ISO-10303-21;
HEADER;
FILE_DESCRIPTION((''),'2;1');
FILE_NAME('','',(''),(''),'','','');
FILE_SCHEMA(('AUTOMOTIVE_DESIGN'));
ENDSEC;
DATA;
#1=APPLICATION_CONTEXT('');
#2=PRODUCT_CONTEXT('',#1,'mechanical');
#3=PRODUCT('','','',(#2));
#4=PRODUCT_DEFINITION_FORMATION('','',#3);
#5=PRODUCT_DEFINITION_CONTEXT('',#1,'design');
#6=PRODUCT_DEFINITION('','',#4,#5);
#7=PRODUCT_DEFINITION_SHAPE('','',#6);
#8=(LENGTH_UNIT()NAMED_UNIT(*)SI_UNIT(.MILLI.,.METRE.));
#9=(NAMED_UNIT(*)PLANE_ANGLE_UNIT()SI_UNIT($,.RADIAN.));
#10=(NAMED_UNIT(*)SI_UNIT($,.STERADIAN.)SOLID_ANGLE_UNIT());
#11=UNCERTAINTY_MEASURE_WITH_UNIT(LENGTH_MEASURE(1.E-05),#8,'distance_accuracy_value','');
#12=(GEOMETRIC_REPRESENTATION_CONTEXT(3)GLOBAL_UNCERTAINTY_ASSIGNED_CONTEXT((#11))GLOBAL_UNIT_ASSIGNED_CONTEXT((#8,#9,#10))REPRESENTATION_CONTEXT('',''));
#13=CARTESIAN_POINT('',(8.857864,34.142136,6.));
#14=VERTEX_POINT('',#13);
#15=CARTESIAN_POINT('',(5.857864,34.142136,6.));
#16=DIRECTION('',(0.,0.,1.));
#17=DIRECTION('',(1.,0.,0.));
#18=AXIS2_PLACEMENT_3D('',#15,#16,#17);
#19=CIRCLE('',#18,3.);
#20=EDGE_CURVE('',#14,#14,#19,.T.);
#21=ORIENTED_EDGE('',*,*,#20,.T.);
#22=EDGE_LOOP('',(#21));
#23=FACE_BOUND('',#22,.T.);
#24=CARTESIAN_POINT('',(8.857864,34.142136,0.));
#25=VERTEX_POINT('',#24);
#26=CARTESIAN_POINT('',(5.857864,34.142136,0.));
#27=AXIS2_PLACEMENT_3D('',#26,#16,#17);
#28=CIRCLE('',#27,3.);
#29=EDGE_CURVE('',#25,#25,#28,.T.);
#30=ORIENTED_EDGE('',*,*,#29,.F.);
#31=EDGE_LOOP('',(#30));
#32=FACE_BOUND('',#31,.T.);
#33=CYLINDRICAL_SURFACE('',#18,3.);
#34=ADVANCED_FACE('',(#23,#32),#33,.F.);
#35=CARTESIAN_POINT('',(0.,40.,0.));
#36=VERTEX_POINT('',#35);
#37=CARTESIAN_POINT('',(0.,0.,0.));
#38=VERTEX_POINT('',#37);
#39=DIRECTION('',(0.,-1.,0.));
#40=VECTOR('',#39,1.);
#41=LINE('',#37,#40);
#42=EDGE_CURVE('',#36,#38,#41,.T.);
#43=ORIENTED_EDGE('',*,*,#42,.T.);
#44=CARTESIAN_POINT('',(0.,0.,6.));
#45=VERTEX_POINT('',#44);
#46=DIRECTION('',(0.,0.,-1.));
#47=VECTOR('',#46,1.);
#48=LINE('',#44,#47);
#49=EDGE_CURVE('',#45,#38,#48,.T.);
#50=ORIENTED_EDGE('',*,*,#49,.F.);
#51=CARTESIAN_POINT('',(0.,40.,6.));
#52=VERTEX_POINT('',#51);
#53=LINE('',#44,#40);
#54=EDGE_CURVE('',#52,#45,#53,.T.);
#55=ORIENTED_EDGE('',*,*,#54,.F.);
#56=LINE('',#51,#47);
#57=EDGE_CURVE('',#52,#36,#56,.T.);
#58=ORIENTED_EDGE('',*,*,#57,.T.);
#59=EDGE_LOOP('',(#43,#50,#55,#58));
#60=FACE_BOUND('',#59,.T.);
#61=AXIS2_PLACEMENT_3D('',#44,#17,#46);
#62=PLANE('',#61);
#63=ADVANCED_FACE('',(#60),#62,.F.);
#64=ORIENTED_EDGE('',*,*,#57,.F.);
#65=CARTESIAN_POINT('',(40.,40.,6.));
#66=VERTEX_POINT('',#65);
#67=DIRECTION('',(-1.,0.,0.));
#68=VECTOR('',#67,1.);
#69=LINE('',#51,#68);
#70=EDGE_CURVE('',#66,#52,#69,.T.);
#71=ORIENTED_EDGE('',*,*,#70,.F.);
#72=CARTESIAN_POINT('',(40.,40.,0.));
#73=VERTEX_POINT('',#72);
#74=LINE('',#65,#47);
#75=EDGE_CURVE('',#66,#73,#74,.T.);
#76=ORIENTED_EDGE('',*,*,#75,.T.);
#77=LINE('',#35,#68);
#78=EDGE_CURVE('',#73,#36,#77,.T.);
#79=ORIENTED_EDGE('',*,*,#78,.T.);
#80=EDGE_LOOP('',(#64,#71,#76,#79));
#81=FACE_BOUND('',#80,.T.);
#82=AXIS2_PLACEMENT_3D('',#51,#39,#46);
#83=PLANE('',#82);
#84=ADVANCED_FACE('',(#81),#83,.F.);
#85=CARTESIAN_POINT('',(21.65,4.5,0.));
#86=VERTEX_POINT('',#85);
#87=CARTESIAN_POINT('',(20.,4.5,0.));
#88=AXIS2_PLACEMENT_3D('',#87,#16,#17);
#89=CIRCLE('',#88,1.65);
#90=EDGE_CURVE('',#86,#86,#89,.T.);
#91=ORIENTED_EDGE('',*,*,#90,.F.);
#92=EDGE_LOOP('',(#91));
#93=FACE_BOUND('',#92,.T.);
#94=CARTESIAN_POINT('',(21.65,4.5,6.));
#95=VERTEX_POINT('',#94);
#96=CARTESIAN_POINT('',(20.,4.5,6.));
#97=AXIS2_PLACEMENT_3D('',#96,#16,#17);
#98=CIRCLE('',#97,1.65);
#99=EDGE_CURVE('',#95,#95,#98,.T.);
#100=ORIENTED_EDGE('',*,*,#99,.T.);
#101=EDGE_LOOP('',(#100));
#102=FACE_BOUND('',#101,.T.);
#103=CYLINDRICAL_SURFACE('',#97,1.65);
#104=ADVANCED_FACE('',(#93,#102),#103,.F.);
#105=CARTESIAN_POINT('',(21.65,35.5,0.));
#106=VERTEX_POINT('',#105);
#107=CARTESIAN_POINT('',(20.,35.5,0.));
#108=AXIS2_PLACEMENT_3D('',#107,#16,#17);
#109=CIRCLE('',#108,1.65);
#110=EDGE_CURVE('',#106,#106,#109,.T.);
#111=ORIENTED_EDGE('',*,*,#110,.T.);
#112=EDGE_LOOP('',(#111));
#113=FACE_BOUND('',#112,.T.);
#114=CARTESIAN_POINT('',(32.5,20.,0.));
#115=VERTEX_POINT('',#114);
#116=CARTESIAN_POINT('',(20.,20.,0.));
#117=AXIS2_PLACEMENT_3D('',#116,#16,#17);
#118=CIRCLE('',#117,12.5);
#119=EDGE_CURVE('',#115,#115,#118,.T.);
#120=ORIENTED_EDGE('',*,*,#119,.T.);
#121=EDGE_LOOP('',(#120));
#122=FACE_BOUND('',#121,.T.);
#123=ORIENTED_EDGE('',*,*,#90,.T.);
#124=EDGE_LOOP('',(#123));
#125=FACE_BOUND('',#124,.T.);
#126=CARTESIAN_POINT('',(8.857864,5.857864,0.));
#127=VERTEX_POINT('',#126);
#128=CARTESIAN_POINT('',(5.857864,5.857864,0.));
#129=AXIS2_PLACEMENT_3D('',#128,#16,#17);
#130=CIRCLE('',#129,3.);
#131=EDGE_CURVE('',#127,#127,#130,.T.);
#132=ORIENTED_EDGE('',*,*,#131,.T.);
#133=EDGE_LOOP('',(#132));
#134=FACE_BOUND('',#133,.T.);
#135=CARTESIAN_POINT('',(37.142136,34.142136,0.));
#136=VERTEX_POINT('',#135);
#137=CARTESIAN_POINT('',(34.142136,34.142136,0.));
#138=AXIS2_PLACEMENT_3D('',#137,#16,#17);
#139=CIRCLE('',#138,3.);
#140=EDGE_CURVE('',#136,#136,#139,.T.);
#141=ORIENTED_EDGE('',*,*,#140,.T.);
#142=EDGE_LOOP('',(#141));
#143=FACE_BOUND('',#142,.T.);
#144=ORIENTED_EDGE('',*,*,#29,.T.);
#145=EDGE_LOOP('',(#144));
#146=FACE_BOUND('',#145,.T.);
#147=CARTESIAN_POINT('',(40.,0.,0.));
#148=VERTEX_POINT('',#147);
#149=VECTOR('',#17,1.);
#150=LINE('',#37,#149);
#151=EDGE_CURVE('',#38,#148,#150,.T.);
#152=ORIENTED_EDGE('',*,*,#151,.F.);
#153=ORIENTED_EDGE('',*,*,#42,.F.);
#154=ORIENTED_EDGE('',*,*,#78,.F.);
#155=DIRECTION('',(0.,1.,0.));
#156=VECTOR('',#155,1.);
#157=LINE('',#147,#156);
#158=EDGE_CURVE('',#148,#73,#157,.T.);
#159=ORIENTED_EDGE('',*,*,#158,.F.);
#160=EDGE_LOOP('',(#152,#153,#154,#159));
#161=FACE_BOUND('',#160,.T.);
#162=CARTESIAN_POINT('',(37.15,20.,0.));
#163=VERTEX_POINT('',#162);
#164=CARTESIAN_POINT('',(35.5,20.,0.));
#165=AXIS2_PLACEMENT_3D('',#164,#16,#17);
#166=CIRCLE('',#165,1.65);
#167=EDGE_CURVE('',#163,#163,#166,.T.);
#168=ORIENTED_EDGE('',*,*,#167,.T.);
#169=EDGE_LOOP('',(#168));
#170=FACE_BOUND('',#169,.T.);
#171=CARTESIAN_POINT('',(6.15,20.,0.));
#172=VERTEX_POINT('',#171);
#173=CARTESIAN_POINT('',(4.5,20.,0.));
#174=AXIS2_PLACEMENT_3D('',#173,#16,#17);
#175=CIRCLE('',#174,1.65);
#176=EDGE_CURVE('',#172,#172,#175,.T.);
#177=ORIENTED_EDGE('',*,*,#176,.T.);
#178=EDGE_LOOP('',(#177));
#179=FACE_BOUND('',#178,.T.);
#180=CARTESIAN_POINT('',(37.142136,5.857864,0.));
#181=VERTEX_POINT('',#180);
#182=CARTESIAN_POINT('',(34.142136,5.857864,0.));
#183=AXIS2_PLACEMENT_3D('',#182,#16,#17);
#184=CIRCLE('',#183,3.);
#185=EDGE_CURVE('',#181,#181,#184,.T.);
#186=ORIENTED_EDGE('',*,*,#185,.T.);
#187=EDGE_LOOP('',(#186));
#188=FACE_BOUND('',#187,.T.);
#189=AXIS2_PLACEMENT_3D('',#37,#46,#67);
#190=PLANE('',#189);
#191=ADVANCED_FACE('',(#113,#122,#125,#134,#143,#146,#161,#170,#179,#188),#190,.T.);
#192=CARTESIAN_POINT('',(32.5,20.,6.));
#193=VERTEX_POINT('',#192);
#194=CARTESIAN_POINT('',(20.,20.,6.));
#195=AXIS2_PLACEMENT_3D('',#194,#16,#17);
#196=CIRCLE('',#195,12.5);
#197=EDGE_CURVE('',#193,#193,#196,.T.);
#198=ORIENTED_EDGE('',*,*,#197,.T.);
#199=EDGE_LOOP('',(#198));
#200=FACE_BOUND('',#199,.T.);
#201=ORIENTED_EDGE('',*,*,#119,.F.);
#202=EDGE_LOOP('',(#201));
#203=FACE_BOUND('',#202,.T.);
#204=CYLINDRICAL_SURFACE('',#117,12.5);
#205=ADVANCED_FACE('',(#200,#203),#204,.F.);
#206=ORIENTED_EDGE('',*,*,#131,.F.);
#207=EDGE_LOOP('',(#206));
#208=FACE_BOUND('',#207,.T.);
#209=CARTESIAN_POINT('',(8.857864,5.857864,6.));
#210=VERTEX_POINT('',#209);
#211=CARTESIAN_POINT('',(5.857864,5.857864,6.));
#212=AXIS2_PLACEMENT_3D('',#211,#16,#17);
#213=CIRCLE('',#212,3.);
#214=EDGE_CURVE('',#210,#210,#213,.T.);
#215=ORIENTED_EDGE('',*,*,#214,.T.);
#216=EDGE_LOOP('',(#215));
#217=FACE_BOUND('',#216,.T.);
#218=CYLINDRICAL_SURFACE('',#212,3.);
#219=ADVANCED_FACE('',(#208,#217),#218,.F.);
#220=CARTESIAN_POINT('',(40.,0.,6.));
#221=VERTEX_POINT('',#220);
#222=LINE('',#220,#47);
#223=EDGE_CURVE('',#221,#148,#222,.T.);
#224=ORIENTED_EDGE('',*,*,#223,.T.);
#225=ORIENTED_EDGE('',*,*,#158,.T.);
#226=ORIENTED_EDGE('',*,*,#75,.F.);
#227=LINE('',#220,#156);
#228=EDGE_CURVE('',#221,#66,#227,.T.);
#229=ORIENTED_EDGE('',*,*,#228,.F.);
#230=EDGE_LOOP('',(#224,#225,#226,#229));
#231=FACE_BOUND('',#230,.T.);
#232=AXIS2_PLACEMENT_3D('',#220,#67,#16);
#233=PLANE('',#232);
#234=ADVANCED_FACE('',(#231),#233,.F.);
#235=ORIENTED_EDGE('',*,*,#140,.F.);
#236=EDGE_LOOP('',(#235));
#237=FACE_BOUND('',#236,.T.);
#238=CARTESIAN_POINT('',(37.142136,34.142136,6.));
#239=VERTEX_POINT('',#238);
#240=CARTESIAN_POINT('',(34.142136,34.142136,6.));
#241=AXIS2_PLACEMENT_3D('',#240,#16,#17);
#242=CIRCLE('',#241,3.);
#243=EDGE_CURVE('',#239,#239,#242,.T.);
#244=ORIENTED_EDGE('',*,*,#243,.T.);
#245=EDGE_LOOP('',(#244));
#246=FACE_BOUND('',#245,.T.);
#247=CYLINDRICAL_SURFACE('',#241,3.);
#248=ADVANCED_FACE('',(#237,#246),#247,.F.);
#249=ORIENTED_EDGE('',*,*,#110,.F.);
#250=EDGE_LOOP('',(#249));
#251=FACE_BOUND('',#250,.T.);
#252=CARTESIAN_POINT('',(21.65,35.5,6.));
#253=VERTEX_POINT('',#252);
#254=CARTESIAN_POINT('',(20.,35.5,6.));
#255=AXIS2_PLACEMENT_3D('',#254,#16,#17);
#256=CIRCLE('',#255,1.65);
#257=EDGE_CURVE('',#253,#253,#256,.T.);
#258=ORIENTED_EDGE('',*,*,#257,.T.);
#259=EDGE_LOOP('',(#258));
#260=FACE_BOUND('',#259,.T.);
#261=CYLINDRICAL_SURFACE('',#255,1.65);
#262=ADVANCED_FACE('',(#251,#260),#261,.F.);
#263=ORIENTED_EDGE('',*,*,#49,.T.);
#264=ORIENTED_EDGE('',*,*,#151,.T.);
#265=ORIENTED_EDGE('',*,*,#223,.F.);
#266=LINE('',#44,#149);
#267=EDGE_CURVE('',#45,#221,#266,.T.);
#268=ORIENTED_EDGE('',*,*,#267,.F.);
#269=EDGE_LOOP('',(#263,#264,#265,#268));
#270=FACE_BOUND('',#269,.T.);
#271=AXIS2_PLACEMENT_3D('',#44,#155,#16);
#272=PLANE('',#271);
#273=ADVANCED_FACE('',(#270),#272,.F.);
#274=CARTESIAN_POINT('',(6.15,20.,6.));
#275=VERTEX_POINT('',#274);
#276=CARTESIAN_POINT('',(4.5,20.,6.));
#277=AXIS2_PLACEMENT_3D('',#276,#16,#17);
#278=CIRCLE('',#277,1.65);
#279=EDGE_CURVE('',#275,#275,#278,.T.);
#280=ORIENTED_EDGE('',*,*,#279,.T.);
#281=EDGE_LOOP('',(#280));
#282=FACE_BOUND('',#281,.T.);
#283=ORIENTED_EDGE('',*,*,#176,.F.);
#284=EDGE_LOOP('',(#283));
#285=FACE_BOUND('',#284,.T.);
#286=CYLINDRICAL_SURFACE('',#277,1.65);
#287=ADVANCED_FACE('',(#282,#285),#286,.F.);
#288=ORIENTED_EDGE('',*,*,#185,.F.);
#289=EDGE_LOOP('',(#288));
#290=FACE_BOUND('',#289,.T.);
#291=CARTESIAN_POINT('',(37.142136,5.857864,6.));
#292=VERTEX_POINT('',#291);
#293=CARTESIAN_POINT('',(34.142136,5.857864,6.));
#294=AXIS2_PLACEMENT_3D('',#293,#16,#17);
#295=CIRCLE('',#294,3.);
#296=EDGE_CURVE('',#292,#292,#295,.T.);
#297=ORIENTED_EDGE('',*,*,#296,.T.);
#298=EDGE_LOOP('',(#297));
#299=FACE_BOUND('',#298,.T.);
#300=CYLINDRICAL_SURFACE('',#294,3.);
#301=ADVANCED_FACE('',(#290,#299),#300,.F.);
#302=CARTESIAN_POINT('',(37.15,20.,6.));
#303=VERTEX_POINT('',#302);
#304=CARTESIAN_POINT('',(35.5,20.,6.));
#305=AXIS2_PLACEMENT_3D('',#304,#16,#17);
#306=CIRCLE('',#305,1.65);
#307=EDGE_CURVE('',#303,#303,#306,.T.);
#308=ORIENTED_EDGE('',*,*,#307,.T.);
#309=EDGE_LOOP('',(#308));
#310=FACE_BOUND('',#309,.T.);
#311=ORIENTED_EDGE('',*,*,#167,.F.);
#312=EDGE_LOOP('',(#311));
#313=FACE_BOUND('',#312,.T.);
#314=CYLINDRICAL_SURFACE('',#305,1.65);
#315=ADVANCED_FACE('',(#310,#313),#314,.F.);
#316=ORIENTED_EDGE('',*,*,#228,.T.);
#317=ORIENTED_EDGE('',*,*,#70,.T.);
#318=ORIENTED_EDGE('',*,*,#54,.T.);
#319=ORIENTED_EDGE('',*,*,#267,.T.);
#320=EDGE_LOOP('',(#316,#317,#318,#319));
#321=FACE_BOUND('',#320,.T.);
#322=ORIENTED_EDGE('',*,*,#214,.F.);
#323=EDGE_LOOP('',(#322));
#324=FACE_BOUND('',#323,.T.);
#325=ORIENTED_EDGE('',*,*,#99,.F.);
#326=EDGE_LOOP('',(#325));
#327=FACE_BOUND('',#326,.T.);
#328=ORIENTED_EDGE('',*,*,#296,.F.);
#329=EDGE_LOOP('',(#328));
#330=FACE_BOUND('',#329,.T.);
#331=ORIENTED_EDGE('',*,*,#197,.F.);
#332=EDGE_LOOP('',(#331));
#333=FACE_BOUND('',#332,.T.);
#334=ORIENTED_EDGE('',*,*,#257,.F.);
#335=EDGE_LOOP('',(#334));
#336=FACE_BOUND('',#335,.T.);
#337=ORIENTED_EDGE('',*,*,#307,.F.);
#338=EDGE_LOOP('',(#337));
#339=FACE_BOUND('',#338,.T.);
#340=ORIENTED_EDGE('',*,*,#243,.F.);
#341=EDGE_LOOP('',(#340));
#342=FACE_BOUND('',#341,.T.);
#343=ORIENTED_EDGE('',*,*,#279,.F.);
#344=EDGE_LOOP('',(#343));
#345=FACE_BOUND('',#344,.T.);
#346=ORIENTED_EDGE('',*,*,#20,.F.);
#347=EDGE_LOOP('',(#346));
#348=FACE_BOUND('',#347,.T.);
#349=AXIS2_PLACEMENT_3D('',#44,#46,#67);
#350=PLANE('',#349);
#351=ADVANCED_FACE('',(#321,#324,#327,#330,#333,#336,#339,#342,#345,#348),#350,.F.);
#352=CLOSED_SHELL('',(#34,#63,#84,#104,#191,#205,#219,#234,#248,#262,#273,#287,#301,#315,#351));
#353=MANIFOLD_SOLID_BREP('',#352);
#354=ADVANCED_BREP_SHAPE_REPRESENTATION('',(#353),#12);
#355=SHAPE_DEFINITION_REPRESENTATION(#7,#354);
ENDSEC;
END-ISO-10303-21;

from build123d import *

# Parameters (mm, degrees)
SKETCH1_W               = 40
SKETCH1_H               = 40
BOSS_EXTRUDE1_DEPTH     = 6
F_6_0MM_DOWEL_HOLE1_D   = 6
SKETCH5_R               = 12.5
CUT_EXTRUDE1_DEPTH      = 57.885850613
TAP_DRILL_FOR_M4_TAP1_D = 3.3


with BuildPart() as part:
    # Sketch1 → Boss-Extrude1 (new body)
    with BuildSketch(Plane.XY):
        with Locations((20, 20)):
            Rectangle(SKETCH1_W, SKETCH1_H)
    extrude(amount=BOSS_EXTRUDE1_DEPTH)

    # Ø6.0mm Dowel Hole1 (through all)
    with Locations(Plane.XY.offset(6)):
        with Locations((5.857864376, 5.857864376), (5.857864376, 34.142135624), (34.142135624, 34.142135624), (34.142135624, 5.857864376)):
            Hole(F_6_0MM_DOWEL_HOLE1_D / 2)

    # Sketch5 → Cut-Extrude1 (cut, through all)
    with BuildSketch(Plane.XY.offset(6)):
        with Locations((20, 20)):
            Circle(SKETCH5_R)
    extrude(amount=-CUT_EXTRUDE1_DEPTH, mode=Mode.SUBTRACT)

    # Tap Drill for M4 Tap1 (through all)
    with Locations(Plane.XY.offset(6)):
        with Locations((4.5, 20), (20, 35.5), (35.5, 20), (20, 4.5)):
            Hole(TAP_DRILL_FOR_M4_TAP1_D / 2)


solid = part.part
